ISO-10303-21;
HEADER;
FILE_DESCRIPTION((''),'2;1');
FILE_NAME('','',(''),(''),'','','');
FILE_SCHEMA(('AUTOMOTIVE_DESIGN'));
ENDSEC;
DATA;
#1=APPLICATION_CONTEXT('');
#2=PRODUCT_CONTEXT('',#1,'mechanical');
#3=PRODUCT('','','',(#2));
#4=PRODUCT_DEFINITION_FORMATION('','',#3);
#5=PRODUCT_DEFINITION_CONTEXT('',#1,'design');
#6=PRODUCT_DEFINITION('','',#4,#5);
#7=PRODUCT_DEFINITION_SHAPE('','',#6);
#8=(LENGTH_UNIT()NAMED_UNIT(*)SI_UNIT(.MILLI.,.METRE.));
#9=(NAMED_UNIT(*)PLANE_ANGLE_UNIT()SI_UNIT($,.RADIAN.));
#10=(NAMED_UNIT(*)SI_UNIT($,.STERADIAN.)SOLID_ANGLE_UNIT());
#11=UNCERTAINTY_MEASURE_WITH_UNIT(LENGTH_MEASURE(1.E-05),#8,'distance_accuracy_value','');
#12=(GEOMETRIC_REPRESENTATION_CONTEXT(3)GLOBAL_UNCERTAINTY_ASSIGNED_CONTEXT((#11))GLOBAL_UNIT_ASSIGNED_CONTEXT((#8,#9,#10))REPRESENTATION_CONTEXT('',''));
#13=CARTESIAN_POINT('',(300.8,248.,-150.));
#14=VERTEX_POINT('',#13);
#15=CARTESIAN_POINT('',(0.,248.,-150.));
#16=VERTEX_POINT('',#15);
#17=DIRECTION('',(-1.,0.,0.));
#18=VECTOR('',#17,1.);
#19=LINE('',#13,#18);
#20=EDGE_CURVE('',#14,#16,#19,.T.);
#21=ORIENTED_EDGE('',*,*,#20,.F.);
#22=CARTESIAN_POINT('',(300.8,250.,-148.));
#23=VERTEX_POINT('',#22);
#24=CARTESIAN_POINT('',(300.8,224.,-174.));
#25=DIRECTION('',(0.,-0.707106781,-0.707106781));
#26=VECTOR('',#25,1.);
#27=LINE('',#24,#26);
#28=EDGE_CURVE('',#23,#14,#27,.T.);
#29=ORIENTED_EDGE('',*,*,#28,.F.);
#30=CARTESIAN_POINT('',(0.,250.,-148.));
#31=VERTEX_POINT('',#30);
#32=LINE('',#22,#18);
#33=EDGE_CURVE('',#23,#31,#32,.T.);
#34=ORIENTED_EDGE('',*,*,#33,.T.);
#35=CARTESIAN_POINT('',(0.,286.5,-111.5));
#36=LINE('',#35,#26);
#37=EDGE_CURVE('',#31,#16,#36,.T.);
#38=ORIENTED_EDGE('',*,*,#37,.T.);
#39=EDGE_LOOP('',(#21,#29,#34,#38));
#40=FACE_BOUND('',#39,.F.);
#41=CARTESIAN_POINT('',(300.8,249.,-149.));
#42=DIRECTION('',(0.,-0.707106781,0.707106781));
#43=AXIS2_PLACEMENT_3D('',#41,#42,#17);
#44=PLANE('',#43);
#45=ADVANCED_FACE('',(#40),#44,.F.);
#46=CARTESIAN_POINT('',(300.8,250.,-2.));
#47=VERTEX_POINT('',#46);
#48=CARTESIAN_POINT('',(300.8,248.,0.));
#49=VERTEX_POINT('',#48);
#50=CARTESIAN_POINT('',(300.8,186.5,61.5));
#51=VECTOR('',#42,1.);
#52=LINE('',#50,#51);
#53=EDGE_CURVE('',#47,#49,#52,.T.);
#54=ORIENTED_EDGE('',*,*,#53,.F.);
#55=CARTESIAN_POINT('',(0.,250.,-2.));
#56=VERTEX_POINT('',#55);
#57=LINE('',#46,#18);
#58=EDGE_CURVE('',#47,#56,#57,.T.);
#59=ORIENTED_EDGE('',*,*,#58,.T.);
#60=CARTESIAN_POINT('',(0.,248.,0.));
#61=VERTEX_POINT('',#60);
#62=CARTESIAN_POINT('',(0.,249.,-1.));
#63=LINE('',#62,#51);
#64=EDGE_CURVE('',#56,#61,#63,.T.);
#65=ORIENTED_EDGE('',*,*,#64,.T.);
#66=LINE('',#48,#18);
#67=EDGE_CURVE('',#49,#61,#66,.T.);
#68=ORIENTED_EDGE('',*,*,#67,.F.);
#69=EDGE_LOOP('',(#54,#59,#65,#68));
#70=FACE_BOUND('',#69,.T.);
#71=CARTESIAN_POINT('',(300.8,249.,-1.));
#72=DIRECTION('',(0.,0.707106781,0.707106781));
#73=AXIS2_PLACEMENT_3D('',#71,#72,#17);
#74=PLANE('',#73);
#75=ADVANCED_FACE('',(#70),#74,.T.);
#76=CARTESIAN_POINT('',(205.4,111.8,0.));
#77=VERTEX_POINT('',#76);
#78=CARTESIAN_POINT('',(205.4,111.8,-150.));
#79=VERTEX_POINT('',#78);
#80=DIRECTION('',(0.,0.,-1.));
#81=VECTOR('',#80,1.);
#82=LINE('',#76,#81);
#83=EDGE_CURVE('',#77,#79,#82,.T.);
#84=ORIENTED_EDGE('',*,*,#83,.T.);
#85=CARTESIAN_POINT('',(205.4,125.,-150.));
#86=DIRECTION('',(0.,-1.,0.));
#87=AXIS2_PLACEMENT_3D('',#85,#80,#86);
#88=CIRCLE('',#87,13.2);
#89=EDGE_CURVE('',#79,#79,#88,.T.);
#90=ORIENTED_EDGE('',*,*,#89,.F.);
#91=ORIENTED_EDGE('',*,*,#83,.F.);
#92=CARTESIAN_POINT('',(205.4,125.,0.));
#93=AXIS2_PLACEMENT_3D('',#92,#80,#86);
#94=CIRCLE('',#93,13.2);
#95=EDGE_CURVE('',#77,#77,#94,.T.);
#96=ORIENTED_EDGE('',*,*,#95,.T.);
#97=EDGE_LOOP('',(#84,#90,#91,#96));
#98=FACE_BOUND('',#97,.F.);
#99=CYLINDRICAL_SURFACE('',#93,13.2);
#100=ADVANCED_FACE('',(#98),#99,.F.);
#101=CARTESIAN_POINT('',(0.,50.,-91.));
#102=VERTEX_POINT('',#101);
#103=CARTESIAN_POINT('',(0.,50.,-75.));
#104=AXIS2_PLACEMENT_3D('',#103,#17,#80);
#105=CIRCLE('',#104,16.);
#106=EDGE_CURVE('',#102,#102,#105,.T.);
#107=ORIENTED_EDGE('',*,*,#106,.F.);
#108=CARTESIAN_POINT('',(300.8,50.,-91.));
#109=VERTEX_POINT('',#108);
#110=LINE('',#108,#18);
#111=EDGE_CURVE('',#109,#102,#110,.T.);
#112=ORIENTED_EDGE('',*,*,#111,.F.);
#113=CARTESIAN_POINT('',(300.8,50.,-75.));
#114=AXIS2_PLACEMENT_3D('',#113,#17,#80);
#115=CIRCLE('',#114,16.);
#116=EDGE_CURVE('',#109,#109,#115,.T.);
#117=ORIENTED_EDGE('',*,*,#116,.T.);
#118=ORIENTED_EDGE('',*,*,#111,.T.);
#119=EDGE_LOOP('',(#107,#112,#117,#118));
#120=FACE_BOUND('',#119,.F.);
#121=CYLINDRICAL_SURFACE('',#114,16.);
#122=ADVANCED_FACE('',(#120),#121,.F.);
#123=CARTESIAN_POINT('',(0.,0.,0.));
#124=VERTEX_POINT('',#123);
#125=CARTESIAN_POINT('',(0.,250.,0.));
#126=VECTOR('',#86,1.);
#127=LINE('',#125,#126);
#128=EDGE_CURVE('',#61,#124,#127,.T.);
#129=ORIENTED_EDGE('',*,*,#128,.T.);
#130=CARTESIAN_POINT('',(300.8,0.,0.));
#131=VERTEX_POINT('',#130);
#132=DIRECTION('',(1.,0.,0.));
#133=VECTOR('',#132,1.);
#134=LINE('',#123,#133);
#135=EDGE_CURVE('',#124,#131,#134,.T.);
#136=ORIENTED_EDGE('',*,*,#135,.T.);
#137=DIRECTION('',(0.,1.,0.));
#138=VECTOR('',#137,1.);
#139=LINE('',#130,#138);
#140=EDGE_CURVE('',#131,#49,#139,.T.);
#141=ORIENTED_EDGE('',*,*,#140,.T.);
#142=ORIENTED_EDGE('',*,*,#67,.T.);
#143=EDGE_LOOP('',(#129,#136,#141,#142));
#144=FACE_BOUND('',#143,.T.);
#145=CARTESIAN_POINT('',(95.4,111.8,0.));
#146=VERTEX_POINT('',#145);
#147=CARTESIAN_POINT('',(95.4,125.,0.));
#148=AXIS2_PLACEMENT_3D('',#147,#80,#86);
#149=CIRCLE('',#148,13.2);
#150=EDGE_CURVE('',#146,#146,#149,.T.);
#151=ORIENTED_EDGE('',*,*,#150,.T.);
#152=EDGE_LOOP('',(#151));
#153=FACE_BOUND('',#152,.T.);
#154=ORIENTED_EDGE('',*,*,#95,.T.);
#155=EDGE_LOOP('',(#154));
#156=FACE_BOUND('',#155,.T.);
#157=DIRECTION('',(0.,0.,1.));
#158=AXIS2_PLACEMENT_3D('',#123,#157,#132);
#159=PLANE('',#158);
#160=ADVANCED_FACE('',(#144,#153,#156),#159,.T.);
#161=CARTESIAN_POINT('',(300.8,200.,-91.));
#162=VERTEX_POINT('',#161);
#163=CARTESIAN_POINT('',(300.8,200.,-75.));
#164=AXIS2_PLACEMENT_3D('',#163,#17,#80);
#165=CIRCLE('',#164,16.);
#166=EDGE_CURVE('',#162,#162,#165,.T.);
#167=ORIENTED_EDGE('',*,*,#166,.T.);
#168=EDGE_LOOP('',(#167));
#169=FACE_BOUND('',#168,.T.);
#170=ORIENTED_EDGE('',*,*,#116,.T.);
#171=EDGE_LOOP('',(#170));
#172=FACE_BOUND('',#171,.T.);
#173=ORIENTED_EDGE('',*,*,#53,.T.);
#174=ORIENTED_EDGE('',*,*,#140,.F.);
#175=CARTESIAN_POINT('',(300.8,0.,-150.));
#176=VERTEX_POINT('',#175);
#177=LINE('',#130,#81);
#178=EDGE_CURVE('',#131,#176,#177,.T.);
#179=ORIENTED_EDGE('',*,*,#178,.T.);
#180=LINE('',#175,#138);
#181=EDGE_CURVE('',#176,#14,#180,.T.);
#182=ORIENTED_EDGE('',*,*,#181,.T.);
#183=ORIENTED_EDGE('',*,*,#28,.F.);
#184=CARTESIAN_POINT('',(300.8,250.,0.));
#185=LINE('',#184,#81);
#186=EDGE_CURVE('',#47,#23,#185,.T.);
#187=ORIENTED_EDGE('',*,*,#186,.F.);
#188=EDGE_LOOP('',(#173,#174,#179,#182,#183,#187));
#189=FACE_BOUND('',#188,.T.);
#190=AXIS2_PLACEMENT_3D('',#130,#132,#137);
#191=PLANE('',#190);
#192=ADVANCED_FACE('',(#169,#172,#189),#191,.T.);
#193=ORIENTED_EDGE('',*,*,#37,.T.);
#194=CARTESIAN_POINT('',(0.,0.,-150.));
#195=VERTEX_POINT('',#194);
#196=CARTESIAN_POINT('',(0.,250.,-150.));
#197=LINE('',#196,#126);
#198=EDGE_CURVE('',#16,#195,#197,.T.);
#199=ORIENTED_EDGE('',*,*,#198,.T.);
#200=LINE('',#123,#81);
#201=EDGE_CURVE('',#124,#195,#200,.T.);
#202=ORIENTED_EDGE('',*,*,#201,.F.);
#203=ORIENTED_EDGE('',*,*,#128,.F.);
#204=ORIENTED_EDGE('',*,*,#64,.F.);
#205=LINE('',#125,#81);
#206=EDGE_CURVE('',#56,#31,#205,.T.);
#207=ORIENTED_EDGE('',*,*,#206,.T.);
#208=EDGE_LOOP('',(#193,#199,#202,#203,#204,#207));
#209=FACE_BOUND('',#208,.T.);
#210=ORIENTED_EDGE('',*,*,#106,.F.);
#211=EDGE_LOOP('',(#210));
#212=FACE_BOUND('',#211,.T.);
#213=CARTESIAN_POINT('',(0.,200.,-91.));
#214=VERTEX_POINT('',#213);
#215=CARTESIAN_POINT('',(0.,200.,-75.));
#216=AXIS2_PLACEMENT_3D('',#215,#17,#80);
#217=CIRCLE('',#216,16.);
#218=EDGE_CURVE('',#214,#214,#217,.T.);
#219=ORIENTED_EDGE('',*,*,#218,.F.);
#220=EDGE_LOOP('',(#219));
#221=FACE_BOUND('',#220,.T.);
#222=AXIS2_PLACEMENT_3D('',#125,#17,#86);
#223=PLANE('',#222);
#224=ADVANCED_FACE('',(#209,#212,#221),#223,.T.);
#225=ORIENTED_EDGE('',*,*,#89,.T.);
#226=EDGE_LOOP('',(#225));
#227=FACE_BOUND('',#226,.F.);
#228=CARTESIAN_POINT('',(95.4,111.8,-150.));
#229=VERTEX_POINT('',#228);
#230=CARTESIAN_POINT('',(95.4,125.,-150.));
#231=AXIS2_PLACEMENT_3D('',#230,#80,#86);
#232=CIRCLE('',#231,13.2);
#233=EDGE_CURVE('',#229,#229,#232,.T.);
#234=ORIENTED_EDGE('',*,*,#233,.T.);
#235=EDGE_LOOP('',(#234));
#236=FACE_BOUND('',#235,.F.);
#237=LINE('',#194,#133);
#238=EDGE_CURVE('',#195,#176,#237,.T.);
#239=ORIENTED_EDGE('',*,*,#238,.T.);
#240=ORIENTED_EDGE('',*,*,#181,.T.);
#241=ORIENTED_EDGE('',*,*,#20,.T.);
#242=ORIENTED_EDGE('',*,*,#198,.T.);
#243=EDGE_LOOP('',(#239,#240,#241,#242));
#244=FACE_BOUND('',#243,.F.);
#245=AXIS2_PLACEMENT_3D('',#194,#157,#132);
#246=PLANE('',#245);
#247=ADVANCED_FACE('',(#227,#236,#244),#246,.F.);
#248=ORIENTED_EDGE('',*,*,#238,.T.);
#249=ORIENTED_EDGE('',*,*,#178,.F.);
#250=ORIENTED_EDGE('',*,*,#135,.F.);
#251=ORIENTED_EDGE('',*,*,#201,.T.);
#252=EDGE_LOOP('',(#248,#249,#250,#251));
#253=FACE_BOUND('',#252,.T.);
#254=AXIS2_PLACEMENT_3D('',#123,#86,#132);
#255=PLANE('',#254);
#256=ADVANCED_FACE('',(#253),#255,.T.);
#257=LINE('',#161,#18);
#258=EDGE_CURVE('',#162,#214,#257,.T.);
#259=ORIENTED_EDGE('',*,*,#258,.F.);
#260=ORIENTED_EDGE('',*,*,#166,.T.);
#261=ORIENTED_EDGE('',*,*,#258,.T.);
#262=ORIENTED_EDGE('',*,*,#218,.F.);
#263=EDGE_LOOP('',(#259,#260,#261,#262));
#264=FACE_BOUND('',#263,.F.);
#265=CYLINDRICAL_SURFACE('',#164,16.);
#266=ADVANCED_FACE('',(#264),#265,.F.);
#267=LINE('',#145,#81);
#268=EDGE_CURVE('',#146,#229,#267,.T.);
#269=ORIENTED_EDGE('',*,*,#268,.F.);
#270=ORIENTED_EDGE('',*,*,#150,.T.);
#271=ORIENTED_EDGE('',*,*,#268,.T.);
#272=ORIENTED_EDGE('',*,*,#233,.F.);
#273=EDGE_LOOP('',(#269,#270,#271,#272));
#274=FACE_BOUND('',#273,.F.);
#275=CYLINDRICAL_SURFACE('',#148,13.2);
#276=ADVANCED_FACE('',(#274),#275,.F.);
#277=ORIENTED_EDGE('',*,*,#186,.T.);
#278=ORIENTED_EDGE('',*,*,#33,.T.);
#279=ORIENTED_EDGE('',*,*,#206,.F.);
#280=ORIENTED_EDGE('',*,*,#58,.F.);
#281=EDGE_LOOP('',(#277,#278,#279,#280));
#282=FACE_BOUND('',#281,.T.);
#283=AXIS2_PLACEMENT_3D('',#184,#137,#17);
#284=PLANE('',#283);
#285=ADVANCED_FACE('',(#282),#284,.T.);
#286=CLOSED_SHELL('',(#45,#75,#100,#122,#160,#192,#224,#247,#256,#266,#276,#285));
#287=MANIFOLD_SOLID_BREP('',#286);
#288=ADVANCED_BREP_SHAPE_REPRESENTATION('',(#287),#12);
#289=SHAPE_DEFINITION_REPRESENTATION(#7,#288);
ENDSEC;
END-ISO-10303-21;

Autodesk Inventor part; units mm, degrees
ref_plane "YZ Plane" through (0, 0, 0) normal (1, 0, 0) x (0, 1, 0)
ref_plane "XZ Plane" through (0, 0, 0) normal (0, 1, 0) x (-1, 0, 0)
ref_plane "XY Plane" through (0, 0, 0) normal (0, 0, 1) x (1, 0, 0)
sketch "Sketch1" plane through (0, 0, 0) normal (0, 0, 1) x (1, 0, 0)
  line L0 (0, 0) -> (300.8, 0)
  line L1 (300.8, 0) -> (300.8, 250)
  line L2 (300.8, 250) -> (0, 250)
  line L3 (0, 250) -> (0, 0)
  dimension "d0" = 300.8
  dimension "d1" = 250
extrude "Extrusion1" add sketch "Sketch1" against normal blind 150
sketch "Sketch2" plane through (300.8, 0, 0) normal (1, 0, 0) x (0, 0, -1)
  line L0 (0, 0) -> (0, 250) projected
  line L1 (0, 250) -> (150, 250) projected
  point P0 (75, 200)
  point P1 (75, 50)
  dimension "d4" = 75
  dimension "d5" = 75
  dimension "d6" = 150
  dimension "d7" = 50
hole "Hole1" at (300.8, 200, -75) at (300.8, 50, -75) direction (-1, 0, 0) diameter 32 end through all
sketch "Sketch3" plane through (0, 0, 0) normal (0, 0, 1) x (1, 0, 0)
  line L0 (0, 0) -> (300.8, 0) projected
  line L1 (300.8, 250) -> (0, 250) projected
  line L2 (0, 250) -> (0, 0) projected
  line L3 (300.8, 0) -> (300.8, 250) projected
  point P0 (95.4, 125)
  point P1 (205.4, 125)
  dimension "d16" = 125
  dimension "d17" = 125
  dimension "d31" = 110
  dimension "d32" = 95.4
hole "Hole2" at (95.4, 125, 0) at (205.4, 125, 0) direction (0, 0, -1) diameter 26.4 end through all
chamfer "Chamfer1" distance 2 angle 45 2 edges at (150.4, 250, -150) (150.4, 250, 0)
equation "\"d5\" = d4"
equation "\"d17\" = d16"
properties part number "Soporte mesa"
